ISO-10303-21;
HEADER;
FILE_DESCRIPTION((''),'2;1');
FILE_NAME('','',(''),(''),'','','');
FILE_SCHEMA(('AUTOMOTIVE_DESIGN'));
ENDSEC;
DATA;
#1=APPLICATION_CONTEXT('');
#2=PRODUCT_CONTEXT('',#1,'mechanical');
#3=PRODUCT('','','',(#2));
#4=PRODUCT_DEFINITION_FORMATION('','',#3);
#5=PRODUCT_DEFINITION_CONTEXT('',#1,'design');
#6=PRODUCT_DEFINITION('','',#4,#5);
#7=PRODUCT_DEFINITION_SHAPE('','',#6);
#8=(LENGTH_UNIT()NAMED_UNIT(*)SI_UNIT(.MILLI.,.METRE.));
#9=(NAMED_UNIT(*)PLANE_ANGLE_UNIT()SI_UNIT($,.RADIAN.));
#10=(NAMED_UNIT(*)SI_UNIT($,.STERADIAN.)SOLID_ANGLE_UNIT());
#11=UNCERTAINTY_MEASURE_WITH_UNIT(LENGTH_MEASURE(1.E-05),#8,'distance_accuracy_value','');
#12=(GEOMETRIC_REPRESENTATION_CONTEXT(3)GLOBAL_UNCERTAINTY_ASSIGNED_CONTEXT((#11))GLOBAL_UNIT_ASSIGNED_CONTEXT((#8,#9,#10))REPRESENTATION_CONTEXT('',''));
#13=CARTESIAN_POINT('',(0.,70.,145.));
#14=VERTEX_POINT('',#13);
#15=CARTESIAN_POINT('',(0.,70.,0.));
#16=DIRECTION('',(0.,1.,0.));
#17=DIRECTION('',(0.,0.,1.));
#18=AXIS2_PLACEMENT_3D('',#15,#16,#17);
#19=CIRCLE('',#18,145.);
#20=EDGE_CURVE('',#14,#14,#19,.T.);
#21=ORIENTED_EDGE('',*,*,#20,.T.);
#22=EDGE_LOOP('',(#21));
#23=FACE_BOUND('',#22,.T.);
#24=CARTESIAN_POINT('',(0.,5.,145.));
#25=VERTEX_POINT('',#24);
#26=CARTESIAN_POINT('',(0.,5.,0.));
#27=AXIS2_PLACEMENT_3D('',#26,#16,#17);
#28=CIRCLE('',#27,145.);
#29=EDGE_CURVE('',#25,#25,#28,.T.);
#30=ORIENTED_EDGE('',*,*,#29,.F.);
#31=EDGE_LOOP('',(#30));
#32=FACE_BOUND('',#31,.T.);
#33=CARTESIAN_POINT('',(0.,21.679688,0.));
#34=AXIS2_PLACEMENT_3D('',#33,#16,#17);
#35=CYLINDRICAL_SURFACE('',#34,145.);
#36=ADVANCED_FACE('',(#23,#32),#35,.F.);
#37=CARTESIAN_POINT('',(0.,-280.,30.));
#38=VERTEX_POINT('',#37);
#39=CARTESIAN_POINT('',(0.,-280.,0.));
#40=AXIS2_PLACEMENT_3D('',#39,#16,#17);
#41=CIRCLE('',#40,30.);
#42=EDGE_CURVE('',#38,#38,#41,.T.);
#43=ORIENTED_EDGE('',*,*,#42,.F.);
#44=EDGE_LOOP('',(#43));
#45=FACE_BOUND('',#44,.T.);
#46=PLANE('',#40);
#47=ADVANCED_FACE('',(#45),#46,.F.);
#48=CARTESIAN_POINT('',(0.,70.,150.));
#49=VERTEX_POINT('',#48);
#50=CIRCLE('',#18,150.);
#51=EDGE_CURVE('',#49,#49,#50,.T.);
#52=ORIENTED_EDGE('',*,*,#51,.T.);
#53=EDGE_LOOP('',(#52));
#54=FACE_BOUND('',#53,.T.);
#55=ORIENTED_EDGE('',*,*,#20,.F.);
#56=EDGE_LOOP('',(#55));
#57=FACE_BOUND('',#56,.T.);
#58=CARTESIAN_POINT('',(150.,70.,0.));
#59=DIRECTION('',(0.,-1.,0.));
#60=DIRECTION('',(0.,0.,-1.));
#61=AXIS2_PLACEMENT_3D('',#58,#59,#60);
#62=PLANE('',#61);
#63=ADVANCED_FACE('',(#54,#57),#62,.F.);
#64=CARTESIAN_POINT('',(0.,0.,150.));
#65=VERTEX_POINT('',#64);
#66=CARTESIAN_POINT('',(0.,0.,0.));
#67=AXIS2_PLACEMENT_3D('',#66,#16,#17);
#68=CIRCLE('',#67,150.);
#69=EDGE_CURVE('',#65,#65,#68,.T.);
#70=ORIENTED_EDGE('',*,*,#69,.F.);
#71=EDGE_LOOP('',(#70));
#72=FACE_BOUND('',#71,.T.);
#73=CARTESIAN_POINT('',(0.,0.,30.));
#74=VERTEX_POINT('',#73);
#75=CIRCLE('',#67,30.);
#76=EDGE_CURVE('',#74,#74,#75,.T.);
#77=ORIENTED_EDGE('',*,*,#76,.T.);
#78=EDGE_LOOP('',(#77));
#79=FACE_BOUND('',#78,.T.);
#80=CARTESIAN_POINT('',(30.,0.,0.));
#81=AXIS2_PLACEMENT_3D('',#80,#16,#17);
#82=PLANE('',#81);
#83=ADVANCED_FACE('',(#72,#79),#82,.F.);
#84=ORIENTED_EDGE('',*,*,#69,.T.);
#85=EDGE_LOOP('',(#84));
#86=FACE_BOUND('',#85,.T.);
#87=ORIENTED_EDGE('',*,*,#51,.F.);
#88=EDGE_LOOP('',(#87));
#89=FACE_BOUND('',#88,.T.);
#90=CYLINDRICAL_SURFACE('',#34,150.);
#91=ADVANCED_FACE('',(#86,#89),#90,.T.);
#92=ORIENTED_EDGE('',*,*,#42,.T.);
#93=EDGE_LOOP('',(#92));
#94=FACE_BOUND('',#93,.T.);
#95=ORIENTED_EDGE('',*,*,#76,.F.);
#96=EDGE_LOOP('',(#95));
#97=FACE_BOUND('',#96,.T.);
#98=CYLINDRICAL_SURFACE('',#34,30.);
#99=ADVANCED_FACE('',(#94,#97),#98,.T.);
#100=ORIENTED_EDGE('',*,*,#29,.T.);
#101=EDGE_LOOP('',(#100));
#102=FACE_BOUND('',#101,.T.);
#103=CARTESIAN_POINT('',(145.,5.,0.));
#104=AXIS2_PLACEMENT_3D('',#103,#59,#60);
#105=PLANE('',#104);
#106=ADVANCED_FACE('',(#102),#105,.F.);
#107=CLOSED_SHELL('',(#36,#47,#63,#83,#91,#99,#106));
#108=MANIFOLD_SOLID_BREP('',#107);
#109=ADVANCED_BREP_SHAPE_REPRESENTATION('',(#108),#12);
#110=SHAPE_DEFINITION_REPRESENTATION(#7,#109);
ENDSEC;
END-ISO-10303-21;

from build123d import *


with BuildPart() as part:
    # Sketch1 → Revolve1 (revolve)
    with BuildSketch(Plane.XY, mode=Mode.PRIVATE) as revolve1_sk:
        Polygon((30, -280), (30, 0), (150, 0), (150, 70), (145, 70), (145, 5), (0, 5), (0, -280), align=None)
    revolve(revolve1_sk.sketch.rotate(Axis((0, 21.6796875, 0), (0, -1, 0)), 90), axis=Axis((0, 21.6796875, 0), (0, -1, 0)))


solid = part.part
